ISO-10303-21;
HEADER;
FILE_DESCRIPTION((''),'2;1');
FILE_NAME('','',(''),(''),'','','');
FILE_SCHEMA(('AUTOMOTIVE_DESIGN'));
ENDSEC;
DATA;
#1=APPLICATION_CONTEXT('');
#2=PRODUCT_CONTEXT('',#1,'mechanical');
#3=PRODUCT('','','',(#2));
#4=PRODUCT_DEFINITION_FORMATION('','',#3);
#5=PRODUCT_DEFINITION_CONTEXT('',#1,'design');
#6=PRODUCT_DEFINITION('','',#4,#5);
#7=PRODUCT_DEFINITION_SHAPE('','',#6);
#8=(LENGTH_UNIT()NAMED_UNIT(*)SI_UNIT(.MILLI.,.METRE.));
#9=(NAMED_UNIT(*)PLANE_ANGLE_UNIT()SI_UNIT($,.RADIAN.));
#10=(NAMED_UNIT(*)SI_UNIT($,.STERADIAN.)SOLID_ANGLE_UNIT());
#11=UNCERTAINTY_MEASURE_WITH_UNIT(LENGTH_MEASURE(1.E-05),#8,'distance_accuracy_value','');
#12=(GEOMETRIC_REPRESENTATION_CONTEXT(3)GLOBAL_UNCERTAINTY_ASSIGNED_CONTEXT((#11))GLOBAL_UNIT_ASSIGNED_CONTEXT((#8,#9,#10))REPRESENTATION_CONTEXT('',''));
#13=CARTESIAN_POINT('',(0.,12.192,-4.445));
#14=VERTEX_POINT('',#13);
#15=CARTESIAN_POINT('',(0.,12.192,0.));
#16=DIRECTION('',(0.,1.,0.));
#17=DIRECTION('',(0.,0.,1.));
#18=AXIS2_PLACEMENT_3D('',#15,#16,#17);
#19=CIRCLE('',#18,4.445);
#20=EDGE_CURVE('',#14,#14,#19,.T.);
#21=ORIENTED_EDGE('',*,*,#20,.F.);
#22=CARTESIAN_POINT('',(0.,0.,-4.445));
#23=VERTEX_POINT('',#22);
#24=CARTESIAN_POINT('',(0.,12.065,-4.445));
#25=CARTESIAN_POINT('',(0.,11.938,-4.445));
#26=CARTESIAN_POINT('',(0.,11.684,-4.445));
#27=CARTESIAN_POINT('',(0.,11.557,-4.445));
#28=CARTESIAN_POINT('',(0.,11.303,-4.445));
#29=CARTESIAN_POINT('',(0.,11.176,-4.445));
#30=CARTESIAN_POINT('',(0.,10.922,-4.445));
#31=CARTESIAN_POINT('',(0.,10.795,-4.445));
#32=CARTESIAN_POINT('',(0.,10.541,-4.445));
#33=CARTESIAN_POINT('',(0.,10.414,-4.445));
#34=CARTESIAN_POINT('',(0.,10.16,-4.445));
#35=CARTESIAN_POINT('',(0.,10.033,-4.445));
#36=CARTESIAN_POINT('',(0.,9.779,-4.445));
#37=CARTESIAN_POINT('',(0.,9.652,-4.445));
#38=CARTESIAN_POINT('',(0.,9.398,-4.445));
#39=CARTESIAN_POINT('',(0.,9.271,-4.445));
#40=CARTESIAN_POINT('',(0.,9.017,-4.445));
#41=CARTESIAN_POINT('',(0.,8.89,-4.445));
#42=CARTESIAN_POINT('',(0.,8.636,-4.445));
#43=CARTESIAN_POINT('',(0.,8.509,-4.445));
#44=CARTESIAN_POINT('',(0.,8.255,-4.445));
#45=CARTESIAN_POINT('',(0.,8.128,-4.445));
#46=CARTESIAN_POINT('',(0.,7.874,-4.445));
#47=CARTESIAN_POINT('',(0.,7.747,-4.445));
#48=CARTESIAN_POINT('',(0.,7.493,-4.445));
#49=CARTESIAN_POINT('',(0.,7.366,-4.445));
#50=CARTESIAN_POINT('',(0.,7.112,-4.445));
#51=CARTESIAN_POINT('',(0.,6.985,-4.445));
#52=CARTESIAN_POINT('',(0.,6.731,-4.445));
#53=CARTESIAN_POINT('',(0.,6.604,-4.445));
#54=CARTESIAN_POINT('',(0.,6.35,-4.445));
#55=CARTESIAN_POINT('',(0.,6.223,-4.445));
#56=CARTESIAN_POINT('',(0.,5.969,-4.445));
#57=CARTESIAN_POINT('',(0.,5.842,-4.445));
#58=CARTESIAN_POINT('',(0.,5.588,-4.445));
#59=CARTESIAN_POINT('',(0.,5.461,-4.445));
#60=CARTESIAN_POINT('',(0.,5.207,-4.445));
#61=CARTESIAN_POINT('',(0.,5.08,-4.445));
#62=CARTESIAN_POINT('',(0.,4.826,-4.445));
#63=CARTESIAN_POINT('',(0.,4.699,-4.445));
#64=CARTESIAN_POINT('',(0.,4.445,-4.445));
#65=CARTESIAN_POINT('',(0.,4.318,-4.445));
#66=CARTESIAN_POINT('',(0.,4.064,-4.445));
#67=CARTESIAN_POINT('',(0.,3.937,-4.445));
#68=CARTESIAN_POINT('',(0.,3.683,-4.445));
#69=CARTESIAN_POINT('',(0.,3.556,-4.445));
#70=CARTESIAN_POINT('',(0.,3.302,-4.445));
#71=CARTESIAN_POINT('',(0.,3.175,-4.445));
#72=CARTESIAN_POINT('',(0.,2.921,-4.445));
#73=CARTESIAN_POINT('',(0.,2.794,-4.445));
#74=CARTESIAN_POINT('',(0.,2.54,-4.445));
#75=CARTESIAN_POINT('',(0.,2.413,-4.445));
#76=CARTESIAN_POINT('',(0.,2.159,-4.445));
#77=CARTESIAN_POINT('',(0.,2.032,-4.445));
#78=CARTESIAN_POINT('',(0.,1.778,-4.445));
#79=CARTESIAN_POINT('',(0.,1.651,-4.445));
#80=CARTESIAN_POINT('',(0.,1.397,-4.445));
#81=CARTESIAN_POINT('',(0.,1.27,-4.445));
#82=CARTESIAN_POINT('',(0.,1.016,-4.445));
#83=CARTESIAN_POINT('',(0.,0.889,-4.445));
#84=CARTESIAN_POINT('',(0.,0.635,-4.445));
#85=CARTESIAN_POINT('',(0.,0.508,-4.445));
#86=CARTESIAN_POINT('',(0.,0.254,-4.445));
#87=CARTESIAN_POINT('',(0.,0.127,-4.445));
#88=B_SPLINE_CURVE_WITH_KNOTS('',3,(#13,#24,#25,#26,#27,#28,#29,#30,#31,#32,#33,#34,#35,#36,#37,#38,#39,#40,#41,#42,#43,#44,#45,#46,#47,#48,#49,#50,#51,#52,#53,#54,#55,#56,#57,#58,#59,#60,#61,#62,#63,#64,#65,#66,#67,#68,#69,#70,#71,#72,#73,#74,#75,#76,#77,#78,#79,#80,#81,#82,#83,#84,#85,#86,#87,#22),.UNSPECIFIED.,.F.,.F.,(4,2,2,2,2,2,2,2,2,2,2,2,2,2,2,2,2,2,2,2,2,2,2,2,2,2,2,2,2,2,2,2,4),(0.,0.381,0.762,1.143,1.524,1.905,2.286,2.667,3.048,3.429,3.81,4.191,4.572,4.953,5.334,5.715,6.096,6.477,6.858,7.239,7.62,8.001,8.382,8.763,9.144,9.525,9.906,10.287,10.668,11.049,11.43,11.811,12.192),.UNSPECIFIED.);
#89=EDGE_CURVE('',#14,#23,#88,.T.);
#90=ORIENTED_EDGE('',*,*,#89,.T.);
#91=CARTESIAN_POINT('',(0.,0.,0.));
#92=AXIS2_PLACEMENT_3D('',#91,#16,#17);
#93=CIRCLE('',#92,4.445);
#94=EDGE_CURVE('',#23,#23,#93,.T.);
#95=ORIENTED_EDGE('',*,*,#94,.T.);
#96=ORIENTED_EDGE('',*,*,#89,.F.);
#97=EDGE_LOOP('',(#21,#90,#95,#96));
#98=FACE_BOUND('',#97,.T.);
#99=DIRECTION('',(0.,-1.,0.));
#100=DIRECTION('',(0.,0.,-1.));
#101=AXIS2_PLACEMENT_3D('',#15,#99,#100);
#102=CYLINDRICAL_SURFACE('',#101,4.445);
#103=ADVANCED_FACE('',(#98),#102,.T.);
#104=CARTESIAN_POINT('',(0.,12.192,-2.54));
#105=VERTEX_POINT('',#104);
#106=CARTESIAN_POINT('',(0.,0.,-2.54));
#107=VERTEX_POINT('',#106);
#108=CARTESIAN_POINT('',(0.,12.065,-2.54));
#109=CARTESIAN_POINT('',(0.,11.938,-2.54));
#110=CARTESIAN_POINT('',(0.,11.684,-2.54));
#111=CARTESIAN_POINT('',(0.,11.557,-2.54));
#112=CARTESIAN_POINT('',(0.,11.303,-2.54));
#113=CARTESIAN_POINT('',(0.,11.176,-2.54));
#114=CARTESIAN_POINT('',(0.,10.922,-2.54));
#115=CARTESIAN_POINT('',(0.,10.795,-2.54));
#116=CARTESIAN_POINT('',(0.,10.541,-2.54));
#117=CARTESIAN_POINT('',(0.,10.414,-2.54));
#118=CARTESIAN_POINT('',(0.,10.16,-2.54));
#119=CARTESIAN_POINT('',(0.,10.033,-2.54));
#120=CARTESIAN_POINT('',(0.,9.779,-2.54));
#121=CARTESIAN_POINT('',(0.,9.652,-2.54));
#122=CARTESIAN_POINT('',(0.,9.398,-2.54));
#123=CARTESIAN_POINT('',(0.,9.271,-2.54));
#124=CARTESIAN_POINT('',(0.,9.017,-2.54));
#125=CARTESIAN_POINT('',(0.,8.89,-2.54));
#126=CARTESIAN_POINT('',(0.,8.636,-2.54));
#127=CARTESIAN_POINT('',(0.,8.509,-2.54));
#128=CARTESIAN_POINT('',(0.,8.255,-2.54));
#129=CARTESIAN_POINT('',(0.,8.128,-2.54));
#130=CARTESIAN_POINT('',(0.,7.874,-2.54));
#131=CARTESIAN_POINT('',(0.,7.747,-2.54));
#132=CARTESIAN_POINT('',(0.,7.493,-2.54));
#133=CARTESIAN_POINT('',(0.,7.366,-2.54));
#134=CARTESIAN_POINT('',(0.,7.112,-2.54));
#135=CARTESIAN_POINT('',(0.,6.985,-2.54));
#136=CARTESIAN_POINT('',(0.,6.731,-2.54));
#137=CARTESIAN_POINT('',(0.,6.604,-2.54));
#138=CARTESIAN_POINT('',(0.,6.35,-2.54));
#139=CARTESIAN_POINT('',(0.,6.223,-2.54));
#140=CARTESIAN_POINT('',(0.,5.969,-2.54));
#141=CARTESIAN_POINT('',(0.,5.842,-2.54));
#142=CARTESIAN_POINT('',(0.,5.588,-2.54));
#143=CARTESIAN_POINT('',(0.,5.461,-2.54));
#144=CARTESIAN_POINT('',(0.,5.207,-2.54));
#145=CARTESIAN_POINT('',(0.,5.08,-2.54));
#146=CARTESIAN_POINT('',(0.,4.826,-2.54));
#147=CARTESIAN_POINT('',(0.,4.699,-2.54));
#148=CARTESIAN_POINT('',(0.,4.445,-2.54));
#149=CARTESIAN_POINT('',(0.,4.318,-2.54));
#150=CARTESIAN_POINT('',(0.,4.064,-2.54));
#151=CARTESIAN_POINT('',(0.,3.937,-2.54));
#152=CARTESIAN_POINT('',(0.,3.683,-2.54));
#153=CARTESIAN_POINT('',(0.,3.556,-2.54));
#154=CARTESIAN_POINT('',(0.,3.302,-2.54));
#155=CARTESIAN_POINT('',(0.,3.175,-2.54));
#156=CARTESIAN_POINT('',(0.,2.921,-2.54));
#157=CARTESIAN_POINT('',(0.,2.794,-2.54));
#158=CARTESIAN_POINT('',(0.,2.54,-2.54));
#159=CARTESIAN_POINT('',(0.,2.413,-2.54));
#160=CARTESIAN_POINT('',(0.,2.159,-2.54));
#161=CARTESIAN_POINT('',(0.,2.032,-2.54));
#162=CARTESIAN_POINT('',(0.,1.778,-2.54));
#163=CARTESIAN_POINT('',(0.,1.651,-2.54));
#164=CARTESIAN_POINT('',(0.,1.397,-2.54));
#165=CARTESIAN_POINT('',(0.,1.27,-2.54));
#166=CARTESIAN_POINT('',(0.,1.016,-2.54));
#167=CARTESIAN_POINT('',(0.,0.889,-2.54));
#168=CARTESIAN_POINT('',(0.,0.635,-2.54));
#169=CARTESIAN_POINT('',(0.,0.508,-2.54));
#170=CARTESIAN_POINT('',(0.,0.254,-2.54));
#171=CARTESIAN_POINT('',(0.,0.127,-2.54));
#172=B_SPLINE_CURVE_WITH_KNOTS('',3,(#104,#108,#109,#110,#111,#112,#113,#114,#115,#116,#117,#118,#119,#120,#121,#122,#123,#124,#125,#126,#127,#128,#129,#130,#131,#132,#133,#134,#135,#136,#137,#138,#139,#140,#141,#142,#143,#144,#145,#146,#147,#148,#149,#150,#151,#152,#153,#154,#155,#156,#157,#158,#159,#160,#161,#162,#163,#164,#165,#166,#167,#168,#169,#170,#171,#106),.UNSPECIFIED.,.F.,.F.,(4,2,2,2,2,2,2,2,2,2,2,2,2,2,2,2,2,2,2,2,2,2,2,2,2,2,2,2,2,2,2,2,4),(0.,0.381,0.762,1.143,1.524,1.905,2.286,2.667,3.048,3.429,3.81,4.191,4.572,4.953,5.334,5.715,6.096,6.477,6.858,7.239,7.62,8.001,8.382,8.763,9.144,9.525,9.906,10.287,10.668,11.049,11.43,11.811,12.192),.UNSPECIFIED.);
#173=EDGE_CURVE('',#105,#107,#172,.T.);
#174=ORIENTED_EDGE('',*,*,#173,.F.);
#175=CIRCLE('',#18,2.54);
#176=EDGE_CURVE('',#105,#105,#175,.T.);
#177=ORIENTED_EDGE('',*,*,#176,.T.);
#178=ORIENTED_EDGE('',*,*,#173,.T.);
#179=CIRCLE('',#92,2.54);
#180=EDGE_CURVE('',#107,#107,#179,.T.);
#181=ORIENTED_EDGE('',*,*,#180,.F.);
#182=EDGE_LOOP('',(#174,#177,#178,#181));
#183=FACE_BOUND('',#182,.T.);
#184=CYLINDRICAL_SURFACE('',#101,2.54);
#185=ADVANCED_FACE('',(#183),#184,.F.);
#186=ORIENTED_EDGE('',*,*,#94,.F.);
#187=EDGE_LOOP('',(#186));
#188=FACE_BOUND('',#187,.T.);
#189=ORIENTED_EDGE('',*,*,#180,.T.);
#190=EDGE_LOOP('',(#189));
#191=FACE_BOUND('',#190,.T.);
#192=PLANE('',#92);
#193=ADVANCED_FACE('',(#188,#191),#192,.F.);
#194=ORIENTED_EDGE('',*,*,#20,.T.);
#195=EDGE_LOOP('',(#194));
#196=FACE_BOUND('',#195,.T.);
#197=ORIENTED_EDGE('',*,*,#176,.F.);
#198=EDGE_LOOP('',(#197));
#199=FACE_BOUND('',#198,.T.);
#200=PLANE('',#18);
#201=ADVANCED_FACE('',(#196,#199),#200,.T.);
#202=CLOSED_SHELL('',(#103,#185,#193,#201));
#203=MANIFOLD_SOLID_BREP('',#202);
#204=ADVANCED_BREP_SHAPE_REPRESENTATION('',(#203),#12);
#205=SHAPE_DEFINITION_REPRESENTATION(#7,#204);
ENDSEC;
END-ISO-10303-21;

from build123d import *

# Parameters (mm, degrees)
SKETCH1_R           = 4.445
SKETCH1_R_2         = 2.54
BOSS_EXTRUDE1_DEPTH = 12.192


with BuildPart() as part:
    # Sketch1 → Boss-Extrude1 (new body)
    with BuildSketch(Plane(origin=(0, 0, 0), x_dir=(1, 0, 0), z_dir=(0, 1, 0))):
        Circle(SKETCH1_R)
        Circle(SKETCH1_R_2, mode=Mode.SUBTRACT)
    extrude(amount=BOSS_EXTRUDE1_DEPTH)


solid = part.part
